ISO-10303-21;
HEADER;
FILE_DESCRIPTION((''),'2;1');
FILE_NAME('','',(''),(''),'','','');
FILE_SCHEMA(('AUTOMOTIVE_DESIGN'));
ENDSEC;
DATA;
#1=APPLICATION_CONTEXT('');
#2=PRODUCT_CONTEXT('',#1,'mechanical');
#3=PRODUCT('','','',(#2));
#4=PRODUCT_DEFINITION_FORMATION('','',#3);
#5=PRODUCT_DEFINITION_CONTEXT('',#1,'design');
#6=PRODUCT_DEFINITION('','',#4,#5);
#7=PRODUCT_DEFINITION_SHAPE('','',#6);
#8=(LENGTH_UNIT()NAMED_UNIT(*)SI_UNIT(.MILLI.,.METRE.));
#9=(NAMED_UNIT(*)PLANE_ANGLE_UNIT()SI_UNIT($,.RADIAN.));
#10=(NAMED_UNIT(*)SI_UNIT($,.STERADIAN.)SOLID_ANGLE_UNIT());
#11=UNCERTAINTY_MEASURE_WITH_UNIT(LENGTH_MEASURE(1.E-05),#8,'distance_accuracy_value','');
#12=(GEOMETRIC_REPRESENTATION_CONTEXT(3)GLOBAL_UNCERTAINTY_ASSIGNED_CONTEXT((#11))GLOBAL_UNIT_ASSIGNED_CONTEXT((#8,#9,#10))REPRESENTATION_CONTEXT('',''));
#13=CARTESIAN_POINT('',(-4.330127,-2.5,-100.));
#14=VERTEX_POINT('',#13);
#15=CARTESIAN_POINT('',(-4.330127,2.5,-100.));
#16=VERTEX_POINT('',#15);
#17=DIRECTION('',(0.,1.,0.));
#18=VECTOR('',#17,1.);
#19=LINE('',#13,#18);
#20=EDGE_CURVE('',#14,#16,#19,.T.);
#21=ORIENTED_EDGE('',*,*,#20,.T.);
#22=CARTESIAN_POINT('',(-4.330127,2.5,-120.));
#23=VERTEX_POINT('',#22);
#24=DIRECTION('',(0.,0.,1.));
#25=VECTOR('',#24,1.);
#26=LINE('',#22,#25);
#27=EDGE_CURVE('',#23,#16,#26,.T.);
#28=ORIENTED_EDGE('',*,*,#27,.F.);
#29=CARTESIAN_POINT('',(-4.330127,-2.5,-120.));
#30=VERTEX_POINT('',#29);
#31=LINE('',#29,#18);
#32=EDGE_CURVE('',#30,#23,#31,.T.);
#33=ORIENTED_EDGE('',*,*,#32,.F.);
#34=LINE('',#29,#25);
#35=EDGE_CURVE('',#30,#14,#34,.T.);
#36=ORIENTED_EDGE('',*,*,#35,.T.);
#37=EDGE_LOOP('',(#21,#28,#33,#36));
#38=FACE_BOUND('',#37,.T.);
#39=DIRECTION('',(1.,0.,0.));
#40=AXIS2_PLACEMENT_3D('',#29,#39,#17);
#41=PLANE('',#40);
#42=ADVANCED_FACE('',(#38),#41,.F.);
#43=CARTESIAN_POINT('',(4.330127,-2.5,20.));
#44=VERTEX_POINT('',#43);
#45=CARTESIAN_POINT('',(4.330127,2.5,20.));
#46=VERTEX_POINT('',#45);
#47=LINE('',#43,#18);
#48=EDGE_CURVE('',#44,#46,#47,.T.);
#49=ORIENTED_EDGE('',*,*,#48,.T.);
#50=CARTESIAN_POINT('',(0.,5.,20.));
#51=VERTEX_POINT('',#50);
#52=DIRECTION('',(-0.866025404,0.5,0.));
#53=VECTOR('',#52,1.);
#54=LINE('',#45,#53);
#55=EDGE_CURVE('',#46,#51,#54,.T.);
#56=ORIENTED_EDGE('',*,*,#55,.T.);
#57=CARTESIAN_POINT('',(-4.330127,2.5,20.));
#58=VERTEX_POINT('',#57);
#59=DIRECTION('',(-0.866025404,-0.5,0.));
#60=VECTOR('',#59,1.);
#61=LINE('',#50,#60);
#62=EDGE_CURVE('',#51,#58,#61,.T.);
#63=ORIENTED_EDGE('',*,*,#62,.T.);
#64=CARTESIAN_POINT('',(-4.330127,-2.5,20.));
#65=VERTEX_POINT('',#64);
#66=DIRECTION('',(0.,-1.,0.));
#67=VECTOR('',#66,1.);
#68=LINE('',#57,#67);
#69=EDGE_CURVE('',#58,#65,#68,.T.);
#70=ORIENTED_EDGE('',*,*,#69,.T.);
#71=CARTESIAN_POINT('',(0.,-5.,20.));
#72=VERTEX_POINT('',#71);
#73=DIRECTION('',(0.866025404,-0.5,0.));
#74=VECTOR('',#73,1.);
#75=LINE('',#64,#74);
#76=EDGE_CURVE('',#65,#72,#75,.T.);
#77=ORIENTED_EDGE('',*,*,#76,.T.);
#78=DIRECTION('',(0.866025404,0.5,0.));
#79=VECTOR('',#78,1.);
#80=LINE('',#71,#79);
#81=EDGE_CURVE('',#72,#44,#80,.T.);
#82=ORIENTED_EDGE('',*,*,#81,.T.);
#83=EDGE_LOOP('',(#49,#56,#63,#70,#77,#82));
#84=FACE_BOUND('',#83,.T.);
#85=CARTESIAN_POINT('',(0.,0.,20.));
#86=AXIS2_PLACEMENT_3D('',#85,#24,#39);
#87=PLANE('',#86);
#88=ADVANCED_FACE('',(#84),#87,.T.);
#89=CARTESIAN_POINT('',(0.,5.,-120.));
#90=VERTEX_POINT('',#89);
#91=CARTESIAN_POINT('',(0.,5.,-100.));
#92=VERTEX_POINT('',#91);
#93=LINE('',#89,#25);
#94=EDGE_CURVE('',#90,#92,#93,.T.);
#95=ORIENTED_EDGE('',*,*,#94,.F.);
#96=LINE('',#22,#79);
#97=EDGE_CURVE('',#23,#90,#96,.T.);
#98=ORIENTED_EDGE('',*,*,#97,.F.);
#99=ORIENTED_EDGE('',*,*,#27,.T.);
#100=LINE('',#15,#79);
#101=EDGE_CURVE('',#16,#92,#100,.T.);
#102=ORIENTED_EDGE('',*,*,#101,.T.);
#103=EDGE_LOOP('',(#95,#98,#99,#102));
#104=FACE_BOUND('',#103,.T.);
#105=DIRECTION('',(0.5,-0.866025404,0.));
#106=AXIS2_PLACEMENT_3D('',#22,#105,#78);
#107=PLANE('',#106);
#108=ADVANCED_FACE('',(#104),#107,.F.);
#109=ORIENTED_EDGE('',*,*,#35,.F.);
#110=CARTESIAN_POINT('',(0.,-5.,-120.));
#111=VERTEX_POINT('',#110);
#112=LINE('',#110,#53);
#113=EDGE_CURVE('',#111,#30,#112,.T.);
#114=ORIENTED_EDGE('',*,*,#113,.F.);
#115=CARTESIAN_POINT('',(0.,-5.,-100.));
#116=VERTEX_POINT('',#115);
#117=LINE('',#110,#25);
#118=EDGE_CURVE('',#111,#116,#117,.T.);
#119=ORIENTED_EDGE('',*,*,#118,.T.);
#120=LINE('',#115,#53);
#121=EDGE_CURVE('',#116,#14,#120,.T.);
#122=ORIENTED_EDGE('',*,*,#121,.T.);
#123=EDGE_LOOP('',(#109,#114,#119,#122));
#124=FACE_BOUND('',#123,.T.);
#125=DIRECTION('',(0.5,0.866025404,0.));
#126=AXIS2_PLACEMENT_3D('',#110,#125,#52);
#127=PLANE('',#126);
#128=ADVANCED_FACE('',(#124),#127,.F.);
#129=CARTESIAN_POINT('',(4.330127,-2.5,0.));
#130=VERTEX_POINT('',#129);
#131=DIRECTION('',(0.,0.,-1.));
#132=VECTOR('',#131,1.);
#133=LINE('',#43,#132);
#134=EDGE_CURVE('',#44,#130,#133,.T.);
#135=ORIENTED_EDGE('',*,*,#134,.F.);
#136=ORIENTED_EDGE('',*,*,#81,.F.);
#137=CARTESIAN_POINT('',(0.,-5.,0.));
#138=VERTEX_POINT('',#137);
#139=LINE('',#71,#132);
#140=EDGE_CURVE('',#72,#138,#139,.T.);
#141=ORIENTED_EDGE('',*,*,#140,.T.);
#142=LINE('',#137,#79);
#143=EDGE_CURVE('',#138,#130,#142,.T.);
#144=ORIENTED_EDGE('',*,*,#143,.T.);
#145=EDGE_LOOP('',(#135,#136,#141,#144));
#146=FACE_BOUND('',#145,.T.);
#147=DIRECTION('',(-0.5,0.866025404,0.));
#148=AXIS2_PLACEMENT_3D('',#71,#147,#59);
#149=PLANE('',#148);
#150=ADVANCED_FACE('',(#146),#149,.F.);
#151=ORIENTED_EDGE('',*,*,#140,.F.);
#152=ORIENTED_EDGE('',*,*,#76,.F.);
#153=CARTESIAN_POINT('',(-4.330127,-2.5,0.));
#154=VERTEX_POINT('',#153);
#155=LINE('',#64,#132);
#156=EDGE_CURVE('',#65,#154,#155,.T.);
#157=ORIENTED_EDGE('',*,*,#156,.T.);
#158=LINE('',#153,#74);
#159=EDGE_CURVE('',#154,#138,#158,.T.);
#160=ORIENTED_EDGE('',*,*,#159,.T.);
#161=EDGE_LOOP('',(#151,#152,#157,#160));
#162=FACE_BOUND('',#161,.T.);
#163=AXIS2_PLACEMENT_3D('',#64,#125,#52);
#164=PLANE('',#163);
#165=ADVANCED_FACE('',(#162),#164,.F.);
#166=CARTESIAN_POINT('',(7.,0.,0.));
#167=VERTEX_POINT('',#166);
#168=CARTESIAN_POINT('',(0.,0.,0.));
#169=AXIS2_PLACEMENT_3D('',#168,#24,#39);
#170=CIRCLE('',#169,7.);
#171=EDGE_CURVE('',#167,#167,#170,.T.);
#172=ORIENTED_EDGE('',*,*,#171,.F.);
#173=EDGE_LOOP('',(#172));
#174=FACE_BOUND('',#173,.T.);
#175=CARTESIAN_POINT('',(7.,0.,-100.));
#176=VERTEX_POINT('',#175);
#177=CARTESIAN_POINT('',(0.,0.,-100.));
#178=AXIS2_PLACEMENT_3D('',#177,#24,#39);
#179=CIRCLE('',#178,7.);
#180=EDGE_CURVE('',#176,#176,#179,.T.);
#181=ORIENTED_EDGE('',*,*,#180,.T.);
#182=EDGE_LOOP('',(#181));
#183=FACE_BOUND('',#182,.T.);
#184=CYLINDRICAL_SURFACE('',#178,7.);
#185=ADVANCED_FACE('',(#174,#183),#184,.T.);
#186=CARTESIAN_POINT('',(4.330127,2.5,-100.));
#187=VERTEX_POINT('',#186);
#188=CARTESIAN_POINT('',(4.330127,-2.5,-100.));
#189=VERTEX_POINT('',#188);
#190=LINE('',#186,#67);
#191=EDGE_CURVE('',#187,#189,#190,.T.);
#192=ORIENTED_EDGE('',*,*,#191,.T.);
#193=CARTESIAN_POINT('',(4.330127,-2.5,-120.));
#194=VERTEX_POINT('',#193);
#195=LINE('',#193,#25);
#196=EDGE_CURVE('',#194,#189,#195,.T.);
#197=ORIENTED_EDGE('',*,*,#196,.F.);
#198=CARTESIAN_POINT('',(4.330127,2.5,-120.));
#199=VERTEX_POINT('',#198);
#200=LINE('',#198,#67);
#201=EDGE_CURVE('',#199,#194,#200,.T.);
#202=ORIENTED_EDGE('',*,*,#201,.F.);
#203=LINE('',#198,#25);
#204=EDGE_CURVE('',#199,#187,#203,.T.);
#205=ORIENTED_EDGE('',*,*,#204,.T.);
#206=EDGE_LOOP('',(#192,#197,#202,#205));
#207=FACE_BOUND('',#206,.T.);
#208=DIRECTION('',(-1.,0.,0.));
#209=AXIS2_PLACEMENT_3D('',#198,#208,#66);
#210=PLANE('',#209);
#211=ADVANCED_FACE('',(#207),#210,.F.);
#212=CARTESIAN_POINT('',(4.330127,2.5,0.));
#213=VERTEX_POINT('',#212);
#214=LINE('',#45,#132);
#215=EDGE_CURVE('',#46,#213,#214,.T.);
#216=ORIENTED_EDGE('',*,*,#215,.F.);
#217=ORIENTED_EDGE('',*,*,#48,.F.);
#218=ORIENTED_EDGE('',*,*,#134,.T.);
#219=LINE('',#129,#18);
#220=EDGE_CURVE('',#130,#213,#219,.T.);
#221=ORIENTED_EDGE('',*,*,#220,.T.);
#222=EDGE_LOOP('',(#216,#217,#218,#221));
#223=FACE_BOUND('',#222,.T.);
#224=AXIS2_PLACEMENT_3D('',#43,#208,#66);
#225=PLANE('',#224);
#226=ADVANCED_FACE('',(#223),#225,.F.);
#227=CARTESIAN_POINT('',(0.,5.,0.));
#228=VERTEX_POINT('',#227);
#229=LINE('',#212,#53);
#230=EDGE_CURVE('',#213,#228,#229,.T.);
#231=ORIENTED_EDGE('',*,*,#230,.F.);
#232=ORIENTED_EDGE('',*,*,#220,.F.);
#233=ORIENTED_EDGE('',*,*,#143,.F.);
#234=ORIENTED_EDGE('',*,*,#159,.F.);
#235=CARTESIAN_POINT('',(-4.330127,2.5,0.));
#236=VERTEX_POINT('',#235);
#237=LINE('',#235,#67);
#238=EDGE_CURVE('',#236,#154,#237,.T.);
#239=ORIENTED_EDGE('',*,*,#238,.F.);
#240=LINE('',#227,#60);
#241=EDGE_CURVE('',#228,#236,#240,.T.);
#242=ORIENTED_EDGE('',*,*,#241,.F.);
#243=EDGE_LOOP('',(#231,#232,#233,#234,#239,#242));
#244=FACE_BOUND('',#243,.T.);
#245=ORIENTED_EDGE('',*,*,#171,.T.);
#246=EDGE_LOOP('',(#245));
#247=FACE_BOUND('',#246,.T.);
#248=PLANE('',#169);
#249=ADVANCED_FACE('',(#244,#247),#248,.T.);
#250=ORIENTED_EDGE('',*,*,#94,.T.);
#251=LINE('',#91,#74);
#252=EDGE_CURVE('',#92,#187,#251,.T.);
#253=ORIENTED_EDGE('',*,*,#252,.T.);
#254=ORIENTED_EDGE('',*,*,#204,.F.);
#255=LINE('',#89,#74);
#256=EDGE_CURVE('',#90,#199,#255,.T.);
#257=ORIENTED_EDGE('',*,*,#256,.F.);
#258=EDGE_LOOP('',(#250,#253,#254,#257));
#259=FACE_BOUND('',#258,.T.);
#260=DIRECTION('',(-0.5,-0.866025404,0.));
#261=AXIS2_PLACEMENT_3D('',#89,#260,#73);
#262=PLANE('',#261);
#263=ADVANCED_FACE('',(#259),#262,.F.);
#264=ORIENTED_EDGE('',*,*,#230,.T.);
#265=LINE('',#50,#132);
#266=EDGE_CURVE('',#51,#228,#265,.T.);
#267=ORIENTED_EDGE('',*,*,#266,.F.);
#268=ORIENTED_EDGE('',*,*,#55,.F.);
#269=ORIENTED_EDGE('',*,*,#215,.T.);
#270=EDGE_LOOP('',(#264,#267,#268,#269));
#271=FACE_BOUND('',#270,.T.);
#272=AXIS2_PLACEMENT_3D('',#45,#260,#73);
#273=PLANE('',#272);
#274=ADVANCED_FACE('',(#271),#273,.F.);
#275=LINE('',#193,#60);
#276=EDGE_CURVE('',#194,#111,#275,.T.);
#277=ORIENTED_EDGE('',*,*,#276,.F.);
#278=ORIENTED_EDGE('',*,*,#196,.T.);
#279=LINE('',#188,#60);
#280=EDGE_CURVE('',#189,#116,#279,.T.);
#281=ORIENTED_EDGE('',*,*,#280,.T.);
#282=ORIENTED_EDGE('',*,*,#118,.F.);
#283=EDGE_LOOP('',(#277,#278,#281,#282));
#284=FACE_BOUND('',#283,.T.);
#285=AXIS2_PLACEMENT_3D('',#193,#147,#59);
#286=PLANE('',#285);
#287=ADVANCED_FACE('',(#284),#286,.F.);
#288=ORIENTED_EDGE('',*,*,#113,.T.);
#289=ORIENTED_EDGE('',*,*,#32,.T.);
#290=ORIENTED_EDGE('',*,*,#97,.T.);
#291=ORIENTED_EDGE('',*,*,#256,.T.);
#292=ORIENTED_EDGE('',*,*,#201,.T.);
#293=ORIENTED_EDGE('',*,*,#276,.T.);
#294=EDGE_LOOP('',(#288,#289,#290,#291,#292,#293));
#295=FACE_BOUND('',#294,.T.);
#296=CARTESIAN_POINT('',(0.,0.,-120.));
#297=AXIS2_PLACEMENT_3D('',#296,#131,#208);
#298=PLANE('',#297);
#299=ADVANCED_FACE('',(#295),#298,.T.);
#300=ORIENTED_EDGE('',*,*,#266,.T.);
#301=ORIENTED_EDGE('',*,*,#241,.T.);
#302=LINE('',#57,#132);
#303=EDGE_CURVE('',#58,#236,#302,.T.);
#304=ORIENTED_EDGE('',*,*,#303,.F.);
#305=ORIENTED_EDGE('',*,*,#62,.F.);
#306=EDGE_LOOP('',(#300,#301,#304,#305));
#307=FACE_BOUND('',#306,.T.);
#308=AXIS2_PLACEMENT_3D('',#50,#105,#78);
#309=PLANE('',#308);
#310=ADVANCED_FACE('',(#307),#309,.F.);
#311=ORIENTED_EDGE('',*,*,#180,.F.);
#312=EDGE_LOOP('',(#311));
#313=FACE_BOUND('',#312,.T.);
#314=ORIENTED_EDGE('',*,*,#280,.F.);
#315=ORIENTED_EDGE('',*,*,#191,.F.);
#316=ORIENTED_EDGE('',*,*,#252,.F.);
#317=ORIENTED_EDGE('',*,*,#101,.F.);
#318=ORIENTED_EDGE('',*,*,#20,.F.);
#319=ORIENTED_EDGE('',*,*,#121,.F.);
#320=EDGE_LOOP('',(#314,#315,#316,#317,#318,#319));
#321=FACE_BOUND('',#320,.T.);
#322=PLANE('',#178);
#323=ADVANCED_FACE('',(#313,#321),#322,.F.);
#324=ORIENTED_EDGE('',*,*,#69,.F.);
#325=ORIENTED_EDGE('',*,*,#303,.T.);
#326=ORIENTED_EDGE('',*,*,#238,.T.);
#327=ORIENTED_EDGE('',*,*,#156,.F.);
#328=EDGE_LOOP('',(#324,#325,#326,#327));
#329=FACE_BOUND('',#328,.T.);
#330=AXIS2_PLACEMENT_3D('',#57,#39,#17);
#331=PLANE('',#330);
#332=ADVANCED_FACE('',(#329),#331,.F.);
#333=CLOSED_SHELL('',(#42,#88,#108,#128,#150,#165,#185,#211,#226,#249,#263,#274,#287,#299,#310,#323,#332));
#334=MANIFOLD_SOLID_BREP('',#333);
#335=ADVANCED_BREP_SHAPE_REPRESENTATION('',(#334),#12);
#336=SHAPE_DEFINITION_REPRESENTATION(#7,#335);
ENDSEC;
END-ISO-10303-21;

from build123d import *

# Parameters (mm, degrees)
SKETCH1_R           = 7
BOSS_EXTRUDE1_DEPTH = 100
BOSS_EXTRUDE2_DEPTH = 20
BOSS_EXTRUDE3_DEPTH = 20


with BuildPart() as part:
    # Sketch1 → Boss-Extrude1 (new body)
    with BuildSketch(Plane.XY):
        Circle(SKETCH1_R)
    extrude(amount=-BOSS_EXTRUDE1_DEPTH)

    # Sketch2 → Boss-Extrude2 (add)
    with BuildSketch(Plane.XY):
        Polygon((0, 5), (-4.330127019, 2.5), (-4.330127019, -2.5), (0, -5), (4.330127019, -2.5), (4.330127019, 2.5), align=None)
    extrude(amount=BOSS_EXTRUDE2_DEPTH)

    # Sketch3 → Boss-Extrude3 (add)
    with BuildSketch(Plane(origin=(0, 0, -100), x_dir=(-1, 0, 0), z_dir=(0, 0, -1))):
        Polygon((0, 5), (-4.330127019, 2.5), (-4.330127019, -2.5), (0, -5), (4.330127019, -2.5), (4.330127019, 2.5), align=None)
    extrude(amount=BOSS_EXTRUDE3_DEPTH)


solid = part.part
